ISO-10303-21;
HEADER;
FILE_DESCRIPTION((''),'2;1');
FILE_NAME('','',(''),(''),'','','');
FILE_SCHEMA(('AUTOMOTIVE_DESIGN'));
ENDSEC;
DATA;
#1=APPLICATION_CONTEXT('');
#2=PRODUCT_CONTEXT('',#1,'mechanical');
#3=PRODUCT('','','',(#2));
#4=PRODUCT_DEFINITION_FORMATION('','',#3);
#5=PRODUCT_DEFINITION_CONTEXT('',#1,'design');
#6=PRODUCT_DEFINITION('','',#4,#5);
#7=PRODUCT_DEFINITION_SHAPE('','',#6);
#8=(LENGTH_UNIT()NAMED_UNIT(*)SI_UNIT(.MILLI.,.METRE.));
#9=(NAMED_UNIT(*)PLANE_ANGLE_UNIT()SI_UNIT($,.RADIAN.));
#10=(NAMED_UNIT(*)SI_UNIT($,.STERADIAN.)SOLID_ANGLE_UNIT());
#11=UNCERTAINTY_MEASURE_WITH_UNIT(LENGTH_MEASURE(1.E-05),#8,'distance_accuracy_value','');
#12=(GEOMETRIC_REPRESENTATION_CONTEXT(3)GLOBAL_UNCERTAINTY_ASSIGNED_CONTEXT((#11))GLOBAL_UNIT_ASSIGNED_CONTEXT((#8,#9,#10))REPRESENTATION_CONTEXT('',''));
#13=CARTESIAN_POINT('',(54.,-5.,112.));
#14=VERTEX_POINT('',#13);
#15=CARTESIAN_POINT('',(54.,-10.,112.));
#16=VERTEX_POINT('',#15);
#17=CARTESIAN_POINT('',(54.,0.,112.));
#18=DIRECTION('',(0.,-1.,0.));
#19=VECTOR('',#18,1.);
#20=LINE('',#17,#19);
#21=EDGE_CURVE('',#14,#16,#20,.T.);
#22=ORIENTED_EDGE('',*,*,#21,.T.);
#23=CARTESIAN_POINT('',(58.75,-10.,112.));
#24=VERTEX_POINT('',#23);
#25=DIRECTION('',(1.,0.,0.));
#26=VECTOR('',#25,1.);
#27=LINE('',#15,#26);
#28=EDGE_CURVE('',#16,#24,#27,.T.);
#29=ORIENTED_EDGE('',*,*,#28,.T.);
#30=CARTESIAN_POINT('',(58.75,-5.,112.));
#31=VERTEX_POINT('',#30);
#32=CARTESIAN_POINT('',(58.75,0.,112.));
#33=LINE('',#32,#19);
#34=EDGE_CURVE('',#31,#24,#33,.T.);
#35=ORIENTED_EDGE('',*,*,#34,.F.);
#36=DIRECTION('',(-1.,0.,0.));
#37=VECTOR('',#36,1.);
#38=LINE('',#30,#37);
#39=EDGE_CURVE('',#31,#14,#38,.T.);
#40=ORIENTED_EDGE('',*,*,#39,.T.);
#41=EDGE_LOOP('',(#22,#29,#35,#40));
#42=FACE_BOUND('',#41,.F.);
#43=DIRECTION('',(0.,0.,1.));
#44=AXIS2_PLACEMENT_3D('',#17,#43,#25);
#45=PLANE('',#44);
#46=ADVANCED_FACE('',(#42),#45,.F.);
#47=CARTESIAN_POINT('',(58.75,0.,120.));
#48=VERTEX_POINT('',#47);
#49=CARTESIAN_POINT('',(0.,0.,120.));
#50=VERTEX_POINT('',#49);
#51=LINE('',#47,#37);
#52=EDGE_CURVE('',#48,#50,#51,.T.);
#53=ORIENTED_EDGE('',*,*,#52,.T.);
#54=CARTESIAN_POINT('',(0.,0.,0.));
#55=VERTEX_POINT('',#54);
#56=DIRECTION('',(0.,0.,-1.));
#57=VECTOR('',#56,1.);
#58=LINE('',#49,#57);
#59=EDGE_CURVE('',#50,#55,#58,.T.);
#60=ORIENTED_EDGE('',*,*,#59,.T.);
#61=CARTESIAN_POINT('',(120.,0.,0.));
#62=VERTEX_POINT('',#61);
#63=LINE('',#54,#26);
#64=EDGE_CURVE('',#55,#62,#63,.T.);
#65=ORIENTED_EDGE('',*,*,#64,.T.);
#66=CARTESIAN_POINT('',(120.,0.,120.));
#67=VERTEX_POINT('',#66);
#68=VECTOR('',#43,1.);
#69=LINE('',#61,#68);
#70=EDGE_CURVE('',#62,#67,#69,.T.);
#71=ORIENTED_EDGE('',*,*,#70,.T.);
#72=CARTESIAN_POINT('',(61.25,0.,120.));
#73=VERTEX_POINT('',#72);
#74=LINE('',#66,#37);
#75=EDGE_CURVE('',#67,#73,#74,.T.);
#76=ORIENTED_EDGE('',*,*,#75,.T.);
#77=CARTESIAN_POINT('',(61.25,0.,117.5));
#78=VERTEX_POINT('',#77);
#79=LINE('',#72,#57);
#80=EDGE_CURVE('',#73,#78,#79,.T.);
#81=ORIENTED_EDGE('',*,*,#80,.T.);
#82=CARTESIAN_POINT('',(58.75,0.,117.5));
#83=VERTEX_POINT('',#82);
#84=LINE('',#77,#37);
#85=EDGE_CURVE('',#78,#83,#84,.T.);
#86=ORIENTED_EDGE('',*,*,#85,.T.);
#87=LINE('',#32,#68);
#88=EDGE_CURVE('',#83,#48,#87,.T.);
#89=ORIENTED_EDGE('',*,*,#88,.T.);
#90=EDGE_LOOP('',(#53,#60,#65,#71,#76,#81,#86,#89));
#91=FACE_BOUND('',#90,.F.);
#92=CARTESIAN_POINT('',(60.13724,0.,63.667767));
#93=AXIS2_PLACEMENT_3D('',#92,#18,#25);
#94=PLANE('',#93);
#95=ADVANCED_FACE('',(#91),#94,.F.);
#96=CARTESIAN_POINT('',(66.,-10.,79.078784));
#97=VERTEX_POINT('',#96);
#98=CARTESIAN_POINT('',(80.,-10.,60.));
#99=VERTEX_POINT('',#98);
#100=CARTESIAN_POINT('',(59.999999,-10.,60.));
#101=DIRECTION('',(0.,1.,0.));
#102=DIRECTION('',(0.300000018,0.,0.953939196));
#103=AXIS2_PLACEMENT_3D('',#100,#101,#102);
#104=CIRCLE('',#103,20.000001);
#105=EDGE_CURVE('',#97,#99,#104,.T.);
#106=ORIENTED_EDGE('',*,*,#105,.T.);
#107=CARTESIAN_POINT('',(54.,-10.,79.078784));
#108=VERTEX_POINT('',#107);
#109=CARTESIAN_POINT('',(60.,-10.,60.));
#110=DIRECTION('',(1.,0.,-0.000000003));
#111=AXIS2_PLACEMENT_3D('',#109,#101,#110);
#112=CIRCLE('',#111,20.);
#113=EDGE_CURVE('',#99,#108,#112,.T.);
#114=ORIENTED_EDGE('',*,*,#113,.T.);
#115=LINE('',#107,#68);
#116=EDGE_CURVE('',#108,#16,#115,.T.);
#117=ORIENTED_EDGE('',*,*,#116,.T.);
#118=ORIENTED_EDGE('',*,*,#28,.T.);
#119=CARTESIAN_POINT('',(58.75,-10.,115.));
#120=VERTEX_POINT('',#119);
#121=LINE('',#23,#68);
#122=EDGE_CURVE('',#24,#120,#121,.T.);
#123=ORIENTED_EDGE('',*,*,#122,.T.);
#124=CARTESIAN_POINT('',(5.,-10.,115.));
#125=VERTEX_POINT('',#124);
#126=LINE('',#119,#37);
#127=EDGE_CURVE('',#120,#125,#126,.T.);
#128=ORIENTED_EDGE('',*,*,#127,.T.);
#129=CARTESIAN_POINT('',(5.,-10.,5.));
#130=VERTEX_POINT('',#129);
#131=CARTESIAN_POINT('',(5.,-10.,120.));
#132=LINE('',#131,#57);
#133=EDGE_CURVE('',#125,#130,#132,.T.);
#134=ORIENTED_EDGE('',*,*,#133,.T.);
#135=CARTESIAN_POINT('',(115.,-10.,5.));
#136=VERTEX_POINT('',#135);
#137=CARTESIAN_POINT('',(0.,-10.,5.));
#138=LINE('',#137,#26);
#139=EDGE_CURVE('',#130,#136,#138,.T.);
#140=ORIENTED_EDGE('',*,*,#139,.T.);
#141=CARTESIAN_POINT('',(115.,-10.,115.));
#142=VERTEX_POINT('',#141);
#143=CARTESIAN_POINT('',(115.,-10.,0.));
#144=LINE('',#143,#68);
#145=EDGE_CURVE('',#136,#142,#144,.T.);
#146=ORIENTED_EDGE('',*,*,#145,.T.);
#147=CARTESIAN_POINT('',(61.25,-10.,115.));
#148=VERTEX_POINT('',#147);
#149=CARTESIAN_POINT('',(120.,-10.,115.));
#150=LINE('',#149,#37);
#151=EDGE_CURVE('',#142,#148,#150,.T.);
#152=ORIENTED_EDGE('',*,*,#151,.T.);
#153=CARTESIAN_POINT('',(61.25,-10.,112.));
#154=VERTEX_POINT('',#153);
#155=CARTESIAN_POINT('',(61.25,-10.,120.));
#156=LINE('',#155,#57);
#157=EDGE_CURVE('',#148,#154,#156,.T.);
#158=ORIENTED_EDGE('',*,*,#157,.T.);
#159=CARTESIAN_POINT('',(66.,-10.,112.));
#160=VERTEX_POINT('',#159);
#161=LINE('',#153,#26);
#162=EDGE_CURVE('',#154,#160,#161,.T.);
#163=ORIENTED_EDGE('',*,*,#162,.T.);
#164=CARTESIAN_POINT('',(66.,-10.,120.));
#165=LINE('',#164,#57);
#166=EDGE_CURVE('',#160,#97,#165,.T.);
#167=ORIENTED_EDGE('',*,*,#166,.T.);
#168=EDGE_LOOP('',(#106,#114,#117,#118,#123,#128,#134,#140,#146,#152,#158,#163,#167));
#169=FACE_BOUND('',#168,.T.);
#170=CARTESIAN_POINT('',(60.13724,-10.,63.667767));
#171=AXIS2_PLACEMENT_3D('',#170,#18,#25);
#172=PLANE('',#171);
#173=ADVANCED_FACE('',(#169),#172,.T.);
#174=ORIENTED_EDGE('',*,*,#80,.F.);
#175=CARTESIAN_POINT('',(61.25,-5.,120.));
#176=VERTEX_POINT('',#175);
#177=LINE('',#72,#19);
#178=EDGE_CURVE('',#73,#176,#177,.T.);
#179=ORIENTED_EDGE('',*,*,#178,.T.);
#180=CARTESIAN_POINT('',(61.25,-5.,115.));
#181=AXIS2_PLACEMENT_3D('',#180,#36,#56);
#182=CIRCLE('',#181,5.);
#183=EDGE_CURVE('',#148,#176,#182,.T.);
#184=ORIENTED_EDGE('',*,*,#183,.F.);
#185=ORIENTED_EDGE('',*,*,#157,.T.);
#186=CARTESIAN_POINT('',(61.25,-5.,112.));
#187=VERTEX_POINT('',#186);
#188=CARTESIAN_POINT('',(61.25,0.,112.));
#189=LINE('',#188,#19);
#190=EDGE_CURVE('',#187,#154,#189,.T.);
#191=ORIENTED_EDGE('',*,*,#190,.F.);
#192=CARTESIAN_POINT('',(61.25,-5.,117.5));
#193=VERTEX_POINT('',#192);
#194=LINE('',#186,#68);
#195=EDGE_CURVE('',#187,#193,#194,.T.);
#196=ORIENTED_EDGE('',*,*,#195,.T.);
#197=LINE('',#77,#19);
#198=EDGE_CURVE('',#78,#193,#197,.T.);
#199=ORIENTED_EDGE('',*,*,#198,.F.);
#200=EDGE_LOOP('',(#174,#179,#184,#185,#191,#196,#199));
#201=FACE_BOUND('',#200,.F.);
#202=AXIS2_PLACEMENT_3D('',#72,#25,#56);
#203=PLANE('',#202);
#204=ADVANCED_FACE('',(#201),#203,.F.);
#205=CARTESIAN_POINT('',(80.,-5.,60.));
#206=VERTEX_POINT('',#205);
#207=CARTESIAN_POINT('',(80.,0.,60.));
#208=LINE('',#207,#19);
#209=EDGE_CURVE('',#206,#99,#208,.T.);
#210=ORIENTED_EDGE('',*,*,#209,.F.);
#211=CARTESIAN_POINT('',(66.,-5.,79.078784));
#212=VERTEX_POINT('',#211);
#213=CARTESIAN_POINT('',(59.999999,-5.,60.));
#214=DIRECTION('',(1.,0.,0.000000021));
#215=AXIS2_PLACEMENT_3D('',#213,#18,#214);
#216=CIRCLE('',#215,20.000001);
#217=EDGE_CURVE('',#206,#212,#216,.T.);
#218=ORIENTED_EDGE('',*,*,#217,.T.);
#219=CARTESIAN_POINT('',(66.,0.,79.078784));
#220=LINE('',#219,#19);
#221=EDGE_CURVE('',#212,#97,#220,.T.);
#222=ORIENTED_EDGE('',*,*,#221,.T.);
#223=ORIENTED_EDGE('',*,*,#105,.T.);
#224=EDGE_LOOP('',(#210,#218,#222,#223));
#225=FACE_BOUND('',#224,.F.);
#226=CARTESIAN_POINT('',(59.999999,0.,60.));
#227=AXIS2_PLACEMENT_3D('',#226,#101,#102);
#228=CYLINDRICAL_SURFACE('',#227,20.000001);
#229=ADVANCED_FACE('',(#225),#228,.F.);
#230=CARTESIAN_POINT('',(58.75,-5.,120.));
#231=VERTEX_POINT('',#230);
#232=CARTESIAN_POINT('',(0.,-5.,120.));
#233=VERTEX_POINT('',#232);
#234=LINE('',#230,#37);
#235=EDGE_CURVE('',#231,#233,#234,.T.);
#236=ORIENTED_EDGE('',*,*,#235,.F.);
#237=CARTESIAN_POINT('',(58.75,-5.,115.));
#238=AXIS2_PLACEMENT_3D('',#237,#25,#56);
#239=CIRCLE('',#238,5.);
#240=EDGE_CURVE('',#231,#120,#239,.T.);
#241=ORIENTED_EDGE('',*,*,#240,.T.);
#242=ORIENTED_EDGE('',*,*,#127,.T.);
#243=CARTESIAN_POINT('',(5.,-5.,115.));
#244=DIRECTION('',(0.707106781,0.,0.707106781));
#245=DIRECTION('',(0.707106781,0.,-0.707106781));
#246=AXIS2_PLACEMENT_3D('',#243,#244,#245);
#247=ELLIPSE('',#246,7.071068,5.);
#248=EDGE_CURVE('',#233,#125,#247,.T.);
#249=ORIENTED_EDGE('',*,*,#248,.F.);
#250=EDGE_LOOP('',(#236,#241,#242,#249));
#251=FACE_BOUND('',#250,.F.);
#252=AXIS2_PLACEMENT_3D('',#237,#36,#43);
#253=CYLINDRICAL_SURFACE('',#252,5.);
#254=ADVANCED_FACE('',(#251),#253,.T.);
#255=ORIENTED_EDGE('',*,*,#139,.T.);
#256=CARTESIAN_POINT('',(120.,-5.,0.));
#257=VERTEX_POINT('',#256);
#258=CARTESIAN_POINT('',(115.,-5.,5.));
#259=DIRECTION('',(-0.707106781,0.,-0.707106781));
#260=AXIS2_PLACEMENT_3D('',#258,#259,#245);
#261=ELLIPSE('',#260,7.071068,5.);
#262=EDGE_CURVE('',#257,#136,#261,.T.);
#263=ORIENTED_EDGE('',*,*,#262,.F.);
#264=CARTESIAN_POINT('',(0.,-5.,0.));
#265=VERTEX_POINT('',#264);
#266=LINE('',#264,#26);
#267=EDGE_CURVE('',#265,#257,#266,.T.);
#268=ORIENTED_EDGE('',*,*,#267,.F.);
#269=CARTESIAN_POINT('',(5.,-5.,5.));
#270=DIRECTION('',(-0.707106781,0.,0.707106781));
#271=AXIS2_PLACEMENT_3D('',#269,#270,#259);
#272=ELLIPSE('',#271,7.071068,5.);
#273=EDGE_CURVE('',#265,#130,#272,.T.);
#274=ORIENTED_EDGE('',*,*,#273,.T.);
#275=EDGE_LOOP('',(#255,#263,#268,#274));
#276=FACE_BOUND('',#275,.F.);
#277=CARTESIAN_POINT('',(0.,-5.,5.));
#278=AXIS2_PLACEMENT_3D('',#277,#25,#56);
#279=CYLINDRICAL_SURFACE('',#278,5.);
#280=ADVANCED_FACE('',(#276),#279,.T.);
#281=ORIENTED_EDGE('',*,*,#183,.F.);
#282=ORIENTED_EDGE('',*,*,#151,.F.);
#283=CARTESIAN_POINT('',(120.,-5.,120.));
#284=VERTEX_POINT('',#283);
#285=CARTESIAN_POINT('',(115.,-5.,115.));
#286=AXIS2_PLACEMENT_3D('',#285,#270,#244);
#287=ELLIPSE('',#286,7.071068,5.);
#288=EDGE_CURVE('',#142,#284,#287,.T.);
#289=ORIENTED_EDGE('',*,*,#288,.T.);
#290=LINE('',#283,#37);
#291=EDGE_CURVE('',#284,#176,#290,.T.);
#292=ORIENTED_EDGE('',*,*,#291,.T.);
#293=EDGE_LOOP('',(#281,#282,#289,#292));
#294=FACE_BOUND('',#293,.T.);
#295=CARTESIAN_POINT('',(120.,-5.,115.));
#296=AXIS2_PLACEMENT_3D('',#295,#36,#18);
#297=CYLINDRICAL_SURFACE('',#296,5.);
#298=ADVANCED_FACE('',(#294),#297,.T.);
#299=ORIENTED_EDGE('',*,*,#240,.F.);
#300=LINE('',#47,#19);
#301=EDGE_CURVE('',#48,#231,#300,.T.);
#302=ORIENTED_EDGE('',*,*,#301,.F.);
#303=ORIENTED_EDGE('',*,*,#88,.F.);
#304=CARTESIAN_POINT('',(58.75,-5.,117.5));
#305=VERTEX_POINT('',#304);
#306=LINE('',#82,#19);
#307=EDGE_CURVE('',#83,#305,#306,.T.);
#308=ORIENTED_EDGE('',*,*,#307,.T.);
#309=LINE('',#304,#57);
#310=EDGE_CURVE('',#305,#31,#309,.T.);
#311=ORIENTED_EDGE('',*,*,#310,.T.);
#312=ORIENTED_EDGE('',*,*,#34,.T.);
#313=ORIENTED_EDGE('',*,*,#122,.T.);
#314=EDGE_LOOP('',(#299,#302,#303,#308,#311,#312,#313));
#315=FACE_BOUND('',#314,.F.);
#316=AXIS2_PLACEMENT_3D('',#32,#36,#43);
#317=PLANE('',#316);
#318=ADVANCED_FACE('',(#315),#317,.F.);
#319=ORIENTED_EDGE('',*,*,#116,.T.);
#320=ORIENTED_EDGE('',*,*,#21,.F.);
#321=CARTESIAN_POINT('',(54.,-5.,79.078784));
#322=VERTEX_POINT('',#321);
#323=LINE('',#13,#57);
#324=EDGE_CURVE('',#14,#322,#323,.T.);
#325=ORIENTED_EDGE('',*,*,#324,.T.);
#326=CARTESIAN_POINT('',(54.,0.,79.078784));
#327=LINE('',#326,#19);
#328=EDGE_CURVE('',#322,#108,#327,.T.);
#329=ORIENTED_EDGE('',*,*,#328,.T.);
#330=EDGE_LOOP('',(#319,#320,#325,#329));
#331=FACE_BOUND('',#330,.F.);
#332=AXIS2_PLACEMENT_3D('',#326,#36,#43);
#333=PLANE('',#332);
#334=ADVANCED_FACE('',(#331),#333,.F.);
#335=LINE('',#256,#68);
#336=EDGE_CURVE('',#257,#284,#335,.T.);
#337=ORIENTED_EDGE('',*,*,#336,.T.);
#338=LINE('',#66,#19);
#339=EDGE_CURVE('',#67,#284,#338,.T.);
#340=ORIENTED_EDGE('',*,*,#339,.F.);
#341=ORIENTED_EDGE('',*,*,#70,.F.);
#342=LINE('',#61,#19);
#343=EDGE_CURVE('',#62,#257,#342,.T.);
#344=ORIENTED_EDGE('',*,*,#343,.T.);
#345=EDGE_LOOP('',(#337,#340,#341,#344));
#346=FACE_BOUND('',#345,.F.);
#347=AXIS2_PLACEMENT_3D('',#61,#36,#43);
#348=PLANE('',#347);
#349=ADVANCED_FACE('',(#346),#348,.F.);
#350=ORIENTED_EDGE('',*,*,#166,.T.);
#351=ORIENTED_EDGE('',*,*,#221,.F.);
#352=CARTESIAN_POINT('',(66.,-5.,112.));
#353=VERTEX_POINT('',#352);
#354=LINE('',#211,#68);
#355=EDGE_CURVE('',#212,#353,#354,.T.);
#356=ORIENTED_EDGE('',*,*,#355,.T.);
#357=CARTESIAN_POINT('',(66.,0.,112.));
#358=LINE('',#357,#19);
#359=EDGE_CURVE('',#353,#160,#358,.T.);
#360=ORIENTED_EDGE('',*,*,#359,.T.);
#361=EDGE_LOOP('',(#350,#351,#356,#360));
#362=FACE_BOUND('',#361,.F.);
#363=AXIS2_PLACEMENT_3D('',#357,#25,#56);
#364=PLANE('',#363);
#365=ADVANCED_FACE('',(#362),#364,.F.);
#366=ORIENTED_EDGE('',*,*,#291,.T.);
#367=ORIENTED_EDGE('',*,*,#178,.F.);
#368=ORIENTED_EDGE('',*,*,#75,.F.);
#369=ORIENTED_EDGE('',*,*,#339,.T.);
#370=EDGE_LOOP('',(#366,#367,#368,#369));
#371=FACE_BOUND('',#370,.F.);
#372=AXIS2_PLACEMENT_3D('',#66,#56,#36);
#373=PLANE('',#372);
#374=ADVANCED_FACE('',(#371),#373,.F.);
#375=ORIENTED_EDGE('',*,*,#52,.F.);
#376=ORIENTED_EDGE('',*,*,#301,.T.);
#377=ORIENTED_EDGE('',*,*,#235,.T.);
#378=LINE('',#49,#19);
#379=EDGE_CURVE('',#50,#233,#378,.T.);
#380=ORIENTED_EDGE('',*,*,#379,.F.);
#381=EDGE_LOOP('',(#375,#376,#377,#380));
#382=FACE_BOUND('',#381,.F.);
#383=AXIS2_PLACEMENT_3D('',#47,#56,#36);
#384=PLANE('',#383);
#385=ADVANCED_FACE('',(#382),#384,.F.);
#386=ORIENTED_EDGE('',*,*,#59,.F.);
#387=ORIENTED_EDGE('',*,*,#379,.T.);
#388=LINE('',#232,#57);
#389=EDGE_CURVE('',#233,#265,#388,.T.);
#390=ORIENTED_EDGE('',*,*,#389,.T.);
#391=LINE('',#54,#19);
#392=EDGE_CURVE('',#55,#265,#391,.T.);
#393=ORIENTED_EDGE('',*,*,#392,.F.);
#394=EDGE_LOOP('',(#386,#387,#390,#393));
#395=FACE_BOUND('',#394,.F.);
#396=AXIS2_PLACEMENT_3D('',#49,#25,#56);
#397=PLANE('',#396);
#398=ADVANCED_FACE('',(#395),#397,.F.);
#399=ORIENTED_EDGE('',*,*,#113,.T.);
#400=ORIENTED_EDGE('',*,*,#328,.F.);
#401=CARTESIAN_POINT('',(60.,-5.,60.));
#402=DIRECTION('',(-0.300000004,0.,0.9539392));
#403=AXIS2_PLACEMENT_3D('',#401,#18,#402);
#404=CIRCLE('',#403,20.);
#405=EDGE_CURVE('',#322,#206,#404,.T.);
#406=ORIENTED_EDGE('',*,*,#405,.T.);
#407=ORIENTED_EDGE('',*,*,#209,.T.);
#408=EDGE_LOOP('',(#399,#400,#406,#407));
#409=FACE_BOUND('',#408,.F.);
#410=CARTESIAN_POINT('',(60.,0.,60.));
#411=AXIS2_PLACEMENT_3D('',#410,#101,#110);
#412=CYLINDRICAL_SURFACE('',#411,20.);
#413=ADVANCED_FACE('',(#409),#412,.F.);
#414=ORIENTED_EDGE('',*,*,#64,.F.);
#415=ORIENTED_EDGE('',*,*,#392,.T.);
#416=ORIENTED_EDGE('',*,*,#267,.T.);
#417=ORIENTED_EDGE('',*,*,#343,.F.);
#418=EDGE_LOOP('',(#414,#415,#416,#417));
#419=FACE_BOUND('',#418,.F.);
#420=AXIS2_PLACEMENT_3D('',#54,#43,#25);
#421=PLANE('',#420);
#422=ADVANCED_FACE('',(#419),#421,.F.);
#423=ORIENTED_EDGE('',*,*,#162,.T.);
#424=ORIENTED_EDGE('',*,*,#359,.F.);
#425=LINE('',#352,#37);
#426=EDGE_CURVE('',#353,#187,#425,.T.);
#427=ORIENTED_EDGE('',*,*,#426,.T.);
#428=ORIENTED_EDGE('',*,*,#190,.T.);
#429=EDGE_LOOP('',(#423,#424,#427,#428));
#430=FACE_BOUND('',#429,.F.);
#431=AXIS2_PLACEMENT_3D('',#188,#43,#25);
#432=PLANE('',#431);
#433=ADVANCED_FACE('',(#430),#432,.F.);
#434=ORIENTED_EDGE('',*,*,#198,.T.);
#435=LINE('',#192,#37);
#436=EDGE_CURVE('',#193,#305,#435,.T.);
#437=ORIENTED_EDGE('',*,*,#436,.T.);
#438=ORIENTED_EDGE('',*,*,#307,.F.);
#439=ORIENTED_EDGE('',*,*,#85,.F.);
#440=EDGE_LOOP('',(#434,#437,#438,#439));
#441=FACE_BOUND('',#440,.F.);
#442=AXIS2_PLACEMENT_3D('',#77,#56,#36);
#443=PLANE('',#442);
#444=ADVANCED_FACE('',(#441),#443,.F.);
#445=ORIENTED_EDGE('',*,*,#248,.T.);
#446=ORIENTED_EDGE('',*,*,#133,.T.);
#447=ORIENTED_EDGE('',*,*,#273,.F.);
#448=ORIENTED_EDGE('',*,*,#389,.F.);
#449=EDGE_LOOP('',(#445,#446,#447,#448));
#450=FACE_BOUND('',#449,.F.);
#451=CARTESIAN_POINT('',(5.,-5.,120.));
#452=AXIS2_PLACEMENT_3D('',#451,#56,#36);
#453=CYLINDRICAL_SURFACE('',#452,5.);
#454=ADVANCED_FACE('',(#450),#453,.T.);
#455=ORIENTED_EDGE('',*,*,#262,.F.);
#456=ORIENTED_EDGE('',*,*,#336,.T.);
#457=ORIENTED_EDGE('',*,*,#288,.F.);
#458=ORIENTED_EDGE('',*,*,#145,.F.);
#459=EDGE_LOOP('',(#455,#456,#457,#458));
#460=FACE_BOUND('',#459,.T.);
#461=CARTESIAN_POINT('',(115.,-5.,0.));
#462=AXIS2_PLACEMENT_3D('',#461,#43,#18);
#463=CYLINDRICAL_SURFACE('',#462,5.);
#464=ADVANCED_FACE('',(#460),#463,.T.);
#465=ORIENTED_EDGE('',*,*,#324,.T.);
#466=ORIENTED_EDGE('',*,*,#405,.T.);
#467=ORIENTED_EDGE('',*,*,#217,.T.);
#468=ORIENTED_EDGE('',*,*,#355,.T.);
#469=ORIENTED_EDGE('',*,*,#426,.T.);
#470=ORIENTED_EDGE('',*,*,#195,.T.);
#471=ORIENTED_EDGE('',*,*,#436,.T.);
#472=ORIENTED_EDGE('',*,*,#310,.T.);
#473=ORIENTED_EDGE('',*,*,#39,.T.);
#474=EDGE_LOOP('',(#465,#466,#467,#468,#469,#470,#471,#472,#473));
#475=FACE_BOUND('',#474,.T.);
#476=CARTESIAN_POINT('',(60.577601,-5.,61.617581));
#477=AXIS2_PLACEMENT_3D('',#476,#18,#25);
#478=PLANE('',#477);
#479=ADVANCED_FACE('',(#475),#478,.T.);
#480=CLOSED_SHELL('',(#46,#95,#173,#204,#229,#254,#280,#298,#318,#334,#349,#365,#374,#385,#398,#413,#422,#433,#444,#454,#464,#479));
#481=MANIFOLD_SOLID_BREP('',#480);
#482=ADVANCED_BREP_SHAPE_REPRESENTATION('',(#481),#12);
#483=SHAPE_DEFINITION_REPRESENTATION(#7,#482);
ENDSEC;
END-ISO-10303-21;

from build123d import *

# Parameters (mm, degrees)
F1_DEPTH = 5
F2_DEPTH = 10
F3_R     = 5


with BuildPart() as f1:
    # F0 (on Front) → F1 (new body)
    with BuildSketch(Plane.XZ):
        with BuildLine():
            Line((54, 60), (54, 79.078784))
            ThreePointArc((54, 79.078784), (48.16784, 43.875485), (80, 60))
            ThreePointArc((80, 60), (76.124515, 71.83216), (66, 79.078784))
            Line((66, 79.078784), (66, 60))
            Line((66, 60), (60, 60))
            Line((60, 60), (54, 60))
        make_face()
        with BuildLine():
            ThreePointArc((60, 80), (56.964846, 79.768355), (54, 79.078784))
            Line((54, 79.078784), (54, 60))
            Line((54, 60), (60, 60))
            Line((60, 60), (66, 60))
            Line((66, 60), (66, 79.078784))
            ThreePointArc((66, 79.078784), (63.035154, 79.768355), (60, 80))
        make_face()
        with BuildLine():
            Line((60, 80), (54, 80))
            Line((54, 80), (54, 79.078784))
            ThreePointArc((54, 79.078784), (56.964846, 79.768355), (60, 80))
        make_face()
        with BuildLine():
            Line((66, 79.078784), (66, 80))
            Line((66, 80), (60, 80))
            ThreePointArc((60, 80), (63.035154, 79.768355), (66, 79.078784))
        make_face()
        Polygon((58.75, 112), (54, 112), (54, 80), (60, 80), (66, 80), (66, 112), (61.25, 112), (61.25, 117.5), (58.75, 117.5), align=None)
    extrude(amount=F1_DEPTH)

    # F0 (on Front) → F2 (join)
    with BuildSketch(Plane.XZ):
        with BuildLine():
            Line((0, 120), (0, 0))
            Line((0, 0), (120, 0))
            Line((120, 0), (120, 120))
            Line((120, 120), (66, 120))
            Line((66, 120), (66, 112))
            Line((66, 112), (66, 80))
            Line((66, 80), (66, 79.078784))
            ThreePointArc((66, 79.078784), (76.124515, 71.83216), (80, 60))
            ThreePointArc((80, 60), (48.16784, 43.875485), (54, 79.078784))
            Line((54, 79.078784), (54, 80))
            Line((54, 80), (54, 112))
            Line((54, 112), (54, 120))
            Line((54, 120), (0, 120))
        make_face()
        Polygon((58.75, 120), (54, 120), (54, 112), (58.75, 112), (58.75, 117.5), align=None)
        Polygon((66, 112), (66, 120), (61.25, 120), (61.25, 117.5), (61.25, 112), align=None)
    extrude(amount=F2_DEPTH)

    # F3
    f3_edges = [f1.edges().sort_by_distance(p)[0] for p in [
        (0, -10, 60),
        (60, -10, 0),
        (120, -10, 60),
        (90.625, -10, 120),
        (29.375, -10, 120),
    ]]
    fillet(f3_edges, radius=F3_R)


solid = f1.part
